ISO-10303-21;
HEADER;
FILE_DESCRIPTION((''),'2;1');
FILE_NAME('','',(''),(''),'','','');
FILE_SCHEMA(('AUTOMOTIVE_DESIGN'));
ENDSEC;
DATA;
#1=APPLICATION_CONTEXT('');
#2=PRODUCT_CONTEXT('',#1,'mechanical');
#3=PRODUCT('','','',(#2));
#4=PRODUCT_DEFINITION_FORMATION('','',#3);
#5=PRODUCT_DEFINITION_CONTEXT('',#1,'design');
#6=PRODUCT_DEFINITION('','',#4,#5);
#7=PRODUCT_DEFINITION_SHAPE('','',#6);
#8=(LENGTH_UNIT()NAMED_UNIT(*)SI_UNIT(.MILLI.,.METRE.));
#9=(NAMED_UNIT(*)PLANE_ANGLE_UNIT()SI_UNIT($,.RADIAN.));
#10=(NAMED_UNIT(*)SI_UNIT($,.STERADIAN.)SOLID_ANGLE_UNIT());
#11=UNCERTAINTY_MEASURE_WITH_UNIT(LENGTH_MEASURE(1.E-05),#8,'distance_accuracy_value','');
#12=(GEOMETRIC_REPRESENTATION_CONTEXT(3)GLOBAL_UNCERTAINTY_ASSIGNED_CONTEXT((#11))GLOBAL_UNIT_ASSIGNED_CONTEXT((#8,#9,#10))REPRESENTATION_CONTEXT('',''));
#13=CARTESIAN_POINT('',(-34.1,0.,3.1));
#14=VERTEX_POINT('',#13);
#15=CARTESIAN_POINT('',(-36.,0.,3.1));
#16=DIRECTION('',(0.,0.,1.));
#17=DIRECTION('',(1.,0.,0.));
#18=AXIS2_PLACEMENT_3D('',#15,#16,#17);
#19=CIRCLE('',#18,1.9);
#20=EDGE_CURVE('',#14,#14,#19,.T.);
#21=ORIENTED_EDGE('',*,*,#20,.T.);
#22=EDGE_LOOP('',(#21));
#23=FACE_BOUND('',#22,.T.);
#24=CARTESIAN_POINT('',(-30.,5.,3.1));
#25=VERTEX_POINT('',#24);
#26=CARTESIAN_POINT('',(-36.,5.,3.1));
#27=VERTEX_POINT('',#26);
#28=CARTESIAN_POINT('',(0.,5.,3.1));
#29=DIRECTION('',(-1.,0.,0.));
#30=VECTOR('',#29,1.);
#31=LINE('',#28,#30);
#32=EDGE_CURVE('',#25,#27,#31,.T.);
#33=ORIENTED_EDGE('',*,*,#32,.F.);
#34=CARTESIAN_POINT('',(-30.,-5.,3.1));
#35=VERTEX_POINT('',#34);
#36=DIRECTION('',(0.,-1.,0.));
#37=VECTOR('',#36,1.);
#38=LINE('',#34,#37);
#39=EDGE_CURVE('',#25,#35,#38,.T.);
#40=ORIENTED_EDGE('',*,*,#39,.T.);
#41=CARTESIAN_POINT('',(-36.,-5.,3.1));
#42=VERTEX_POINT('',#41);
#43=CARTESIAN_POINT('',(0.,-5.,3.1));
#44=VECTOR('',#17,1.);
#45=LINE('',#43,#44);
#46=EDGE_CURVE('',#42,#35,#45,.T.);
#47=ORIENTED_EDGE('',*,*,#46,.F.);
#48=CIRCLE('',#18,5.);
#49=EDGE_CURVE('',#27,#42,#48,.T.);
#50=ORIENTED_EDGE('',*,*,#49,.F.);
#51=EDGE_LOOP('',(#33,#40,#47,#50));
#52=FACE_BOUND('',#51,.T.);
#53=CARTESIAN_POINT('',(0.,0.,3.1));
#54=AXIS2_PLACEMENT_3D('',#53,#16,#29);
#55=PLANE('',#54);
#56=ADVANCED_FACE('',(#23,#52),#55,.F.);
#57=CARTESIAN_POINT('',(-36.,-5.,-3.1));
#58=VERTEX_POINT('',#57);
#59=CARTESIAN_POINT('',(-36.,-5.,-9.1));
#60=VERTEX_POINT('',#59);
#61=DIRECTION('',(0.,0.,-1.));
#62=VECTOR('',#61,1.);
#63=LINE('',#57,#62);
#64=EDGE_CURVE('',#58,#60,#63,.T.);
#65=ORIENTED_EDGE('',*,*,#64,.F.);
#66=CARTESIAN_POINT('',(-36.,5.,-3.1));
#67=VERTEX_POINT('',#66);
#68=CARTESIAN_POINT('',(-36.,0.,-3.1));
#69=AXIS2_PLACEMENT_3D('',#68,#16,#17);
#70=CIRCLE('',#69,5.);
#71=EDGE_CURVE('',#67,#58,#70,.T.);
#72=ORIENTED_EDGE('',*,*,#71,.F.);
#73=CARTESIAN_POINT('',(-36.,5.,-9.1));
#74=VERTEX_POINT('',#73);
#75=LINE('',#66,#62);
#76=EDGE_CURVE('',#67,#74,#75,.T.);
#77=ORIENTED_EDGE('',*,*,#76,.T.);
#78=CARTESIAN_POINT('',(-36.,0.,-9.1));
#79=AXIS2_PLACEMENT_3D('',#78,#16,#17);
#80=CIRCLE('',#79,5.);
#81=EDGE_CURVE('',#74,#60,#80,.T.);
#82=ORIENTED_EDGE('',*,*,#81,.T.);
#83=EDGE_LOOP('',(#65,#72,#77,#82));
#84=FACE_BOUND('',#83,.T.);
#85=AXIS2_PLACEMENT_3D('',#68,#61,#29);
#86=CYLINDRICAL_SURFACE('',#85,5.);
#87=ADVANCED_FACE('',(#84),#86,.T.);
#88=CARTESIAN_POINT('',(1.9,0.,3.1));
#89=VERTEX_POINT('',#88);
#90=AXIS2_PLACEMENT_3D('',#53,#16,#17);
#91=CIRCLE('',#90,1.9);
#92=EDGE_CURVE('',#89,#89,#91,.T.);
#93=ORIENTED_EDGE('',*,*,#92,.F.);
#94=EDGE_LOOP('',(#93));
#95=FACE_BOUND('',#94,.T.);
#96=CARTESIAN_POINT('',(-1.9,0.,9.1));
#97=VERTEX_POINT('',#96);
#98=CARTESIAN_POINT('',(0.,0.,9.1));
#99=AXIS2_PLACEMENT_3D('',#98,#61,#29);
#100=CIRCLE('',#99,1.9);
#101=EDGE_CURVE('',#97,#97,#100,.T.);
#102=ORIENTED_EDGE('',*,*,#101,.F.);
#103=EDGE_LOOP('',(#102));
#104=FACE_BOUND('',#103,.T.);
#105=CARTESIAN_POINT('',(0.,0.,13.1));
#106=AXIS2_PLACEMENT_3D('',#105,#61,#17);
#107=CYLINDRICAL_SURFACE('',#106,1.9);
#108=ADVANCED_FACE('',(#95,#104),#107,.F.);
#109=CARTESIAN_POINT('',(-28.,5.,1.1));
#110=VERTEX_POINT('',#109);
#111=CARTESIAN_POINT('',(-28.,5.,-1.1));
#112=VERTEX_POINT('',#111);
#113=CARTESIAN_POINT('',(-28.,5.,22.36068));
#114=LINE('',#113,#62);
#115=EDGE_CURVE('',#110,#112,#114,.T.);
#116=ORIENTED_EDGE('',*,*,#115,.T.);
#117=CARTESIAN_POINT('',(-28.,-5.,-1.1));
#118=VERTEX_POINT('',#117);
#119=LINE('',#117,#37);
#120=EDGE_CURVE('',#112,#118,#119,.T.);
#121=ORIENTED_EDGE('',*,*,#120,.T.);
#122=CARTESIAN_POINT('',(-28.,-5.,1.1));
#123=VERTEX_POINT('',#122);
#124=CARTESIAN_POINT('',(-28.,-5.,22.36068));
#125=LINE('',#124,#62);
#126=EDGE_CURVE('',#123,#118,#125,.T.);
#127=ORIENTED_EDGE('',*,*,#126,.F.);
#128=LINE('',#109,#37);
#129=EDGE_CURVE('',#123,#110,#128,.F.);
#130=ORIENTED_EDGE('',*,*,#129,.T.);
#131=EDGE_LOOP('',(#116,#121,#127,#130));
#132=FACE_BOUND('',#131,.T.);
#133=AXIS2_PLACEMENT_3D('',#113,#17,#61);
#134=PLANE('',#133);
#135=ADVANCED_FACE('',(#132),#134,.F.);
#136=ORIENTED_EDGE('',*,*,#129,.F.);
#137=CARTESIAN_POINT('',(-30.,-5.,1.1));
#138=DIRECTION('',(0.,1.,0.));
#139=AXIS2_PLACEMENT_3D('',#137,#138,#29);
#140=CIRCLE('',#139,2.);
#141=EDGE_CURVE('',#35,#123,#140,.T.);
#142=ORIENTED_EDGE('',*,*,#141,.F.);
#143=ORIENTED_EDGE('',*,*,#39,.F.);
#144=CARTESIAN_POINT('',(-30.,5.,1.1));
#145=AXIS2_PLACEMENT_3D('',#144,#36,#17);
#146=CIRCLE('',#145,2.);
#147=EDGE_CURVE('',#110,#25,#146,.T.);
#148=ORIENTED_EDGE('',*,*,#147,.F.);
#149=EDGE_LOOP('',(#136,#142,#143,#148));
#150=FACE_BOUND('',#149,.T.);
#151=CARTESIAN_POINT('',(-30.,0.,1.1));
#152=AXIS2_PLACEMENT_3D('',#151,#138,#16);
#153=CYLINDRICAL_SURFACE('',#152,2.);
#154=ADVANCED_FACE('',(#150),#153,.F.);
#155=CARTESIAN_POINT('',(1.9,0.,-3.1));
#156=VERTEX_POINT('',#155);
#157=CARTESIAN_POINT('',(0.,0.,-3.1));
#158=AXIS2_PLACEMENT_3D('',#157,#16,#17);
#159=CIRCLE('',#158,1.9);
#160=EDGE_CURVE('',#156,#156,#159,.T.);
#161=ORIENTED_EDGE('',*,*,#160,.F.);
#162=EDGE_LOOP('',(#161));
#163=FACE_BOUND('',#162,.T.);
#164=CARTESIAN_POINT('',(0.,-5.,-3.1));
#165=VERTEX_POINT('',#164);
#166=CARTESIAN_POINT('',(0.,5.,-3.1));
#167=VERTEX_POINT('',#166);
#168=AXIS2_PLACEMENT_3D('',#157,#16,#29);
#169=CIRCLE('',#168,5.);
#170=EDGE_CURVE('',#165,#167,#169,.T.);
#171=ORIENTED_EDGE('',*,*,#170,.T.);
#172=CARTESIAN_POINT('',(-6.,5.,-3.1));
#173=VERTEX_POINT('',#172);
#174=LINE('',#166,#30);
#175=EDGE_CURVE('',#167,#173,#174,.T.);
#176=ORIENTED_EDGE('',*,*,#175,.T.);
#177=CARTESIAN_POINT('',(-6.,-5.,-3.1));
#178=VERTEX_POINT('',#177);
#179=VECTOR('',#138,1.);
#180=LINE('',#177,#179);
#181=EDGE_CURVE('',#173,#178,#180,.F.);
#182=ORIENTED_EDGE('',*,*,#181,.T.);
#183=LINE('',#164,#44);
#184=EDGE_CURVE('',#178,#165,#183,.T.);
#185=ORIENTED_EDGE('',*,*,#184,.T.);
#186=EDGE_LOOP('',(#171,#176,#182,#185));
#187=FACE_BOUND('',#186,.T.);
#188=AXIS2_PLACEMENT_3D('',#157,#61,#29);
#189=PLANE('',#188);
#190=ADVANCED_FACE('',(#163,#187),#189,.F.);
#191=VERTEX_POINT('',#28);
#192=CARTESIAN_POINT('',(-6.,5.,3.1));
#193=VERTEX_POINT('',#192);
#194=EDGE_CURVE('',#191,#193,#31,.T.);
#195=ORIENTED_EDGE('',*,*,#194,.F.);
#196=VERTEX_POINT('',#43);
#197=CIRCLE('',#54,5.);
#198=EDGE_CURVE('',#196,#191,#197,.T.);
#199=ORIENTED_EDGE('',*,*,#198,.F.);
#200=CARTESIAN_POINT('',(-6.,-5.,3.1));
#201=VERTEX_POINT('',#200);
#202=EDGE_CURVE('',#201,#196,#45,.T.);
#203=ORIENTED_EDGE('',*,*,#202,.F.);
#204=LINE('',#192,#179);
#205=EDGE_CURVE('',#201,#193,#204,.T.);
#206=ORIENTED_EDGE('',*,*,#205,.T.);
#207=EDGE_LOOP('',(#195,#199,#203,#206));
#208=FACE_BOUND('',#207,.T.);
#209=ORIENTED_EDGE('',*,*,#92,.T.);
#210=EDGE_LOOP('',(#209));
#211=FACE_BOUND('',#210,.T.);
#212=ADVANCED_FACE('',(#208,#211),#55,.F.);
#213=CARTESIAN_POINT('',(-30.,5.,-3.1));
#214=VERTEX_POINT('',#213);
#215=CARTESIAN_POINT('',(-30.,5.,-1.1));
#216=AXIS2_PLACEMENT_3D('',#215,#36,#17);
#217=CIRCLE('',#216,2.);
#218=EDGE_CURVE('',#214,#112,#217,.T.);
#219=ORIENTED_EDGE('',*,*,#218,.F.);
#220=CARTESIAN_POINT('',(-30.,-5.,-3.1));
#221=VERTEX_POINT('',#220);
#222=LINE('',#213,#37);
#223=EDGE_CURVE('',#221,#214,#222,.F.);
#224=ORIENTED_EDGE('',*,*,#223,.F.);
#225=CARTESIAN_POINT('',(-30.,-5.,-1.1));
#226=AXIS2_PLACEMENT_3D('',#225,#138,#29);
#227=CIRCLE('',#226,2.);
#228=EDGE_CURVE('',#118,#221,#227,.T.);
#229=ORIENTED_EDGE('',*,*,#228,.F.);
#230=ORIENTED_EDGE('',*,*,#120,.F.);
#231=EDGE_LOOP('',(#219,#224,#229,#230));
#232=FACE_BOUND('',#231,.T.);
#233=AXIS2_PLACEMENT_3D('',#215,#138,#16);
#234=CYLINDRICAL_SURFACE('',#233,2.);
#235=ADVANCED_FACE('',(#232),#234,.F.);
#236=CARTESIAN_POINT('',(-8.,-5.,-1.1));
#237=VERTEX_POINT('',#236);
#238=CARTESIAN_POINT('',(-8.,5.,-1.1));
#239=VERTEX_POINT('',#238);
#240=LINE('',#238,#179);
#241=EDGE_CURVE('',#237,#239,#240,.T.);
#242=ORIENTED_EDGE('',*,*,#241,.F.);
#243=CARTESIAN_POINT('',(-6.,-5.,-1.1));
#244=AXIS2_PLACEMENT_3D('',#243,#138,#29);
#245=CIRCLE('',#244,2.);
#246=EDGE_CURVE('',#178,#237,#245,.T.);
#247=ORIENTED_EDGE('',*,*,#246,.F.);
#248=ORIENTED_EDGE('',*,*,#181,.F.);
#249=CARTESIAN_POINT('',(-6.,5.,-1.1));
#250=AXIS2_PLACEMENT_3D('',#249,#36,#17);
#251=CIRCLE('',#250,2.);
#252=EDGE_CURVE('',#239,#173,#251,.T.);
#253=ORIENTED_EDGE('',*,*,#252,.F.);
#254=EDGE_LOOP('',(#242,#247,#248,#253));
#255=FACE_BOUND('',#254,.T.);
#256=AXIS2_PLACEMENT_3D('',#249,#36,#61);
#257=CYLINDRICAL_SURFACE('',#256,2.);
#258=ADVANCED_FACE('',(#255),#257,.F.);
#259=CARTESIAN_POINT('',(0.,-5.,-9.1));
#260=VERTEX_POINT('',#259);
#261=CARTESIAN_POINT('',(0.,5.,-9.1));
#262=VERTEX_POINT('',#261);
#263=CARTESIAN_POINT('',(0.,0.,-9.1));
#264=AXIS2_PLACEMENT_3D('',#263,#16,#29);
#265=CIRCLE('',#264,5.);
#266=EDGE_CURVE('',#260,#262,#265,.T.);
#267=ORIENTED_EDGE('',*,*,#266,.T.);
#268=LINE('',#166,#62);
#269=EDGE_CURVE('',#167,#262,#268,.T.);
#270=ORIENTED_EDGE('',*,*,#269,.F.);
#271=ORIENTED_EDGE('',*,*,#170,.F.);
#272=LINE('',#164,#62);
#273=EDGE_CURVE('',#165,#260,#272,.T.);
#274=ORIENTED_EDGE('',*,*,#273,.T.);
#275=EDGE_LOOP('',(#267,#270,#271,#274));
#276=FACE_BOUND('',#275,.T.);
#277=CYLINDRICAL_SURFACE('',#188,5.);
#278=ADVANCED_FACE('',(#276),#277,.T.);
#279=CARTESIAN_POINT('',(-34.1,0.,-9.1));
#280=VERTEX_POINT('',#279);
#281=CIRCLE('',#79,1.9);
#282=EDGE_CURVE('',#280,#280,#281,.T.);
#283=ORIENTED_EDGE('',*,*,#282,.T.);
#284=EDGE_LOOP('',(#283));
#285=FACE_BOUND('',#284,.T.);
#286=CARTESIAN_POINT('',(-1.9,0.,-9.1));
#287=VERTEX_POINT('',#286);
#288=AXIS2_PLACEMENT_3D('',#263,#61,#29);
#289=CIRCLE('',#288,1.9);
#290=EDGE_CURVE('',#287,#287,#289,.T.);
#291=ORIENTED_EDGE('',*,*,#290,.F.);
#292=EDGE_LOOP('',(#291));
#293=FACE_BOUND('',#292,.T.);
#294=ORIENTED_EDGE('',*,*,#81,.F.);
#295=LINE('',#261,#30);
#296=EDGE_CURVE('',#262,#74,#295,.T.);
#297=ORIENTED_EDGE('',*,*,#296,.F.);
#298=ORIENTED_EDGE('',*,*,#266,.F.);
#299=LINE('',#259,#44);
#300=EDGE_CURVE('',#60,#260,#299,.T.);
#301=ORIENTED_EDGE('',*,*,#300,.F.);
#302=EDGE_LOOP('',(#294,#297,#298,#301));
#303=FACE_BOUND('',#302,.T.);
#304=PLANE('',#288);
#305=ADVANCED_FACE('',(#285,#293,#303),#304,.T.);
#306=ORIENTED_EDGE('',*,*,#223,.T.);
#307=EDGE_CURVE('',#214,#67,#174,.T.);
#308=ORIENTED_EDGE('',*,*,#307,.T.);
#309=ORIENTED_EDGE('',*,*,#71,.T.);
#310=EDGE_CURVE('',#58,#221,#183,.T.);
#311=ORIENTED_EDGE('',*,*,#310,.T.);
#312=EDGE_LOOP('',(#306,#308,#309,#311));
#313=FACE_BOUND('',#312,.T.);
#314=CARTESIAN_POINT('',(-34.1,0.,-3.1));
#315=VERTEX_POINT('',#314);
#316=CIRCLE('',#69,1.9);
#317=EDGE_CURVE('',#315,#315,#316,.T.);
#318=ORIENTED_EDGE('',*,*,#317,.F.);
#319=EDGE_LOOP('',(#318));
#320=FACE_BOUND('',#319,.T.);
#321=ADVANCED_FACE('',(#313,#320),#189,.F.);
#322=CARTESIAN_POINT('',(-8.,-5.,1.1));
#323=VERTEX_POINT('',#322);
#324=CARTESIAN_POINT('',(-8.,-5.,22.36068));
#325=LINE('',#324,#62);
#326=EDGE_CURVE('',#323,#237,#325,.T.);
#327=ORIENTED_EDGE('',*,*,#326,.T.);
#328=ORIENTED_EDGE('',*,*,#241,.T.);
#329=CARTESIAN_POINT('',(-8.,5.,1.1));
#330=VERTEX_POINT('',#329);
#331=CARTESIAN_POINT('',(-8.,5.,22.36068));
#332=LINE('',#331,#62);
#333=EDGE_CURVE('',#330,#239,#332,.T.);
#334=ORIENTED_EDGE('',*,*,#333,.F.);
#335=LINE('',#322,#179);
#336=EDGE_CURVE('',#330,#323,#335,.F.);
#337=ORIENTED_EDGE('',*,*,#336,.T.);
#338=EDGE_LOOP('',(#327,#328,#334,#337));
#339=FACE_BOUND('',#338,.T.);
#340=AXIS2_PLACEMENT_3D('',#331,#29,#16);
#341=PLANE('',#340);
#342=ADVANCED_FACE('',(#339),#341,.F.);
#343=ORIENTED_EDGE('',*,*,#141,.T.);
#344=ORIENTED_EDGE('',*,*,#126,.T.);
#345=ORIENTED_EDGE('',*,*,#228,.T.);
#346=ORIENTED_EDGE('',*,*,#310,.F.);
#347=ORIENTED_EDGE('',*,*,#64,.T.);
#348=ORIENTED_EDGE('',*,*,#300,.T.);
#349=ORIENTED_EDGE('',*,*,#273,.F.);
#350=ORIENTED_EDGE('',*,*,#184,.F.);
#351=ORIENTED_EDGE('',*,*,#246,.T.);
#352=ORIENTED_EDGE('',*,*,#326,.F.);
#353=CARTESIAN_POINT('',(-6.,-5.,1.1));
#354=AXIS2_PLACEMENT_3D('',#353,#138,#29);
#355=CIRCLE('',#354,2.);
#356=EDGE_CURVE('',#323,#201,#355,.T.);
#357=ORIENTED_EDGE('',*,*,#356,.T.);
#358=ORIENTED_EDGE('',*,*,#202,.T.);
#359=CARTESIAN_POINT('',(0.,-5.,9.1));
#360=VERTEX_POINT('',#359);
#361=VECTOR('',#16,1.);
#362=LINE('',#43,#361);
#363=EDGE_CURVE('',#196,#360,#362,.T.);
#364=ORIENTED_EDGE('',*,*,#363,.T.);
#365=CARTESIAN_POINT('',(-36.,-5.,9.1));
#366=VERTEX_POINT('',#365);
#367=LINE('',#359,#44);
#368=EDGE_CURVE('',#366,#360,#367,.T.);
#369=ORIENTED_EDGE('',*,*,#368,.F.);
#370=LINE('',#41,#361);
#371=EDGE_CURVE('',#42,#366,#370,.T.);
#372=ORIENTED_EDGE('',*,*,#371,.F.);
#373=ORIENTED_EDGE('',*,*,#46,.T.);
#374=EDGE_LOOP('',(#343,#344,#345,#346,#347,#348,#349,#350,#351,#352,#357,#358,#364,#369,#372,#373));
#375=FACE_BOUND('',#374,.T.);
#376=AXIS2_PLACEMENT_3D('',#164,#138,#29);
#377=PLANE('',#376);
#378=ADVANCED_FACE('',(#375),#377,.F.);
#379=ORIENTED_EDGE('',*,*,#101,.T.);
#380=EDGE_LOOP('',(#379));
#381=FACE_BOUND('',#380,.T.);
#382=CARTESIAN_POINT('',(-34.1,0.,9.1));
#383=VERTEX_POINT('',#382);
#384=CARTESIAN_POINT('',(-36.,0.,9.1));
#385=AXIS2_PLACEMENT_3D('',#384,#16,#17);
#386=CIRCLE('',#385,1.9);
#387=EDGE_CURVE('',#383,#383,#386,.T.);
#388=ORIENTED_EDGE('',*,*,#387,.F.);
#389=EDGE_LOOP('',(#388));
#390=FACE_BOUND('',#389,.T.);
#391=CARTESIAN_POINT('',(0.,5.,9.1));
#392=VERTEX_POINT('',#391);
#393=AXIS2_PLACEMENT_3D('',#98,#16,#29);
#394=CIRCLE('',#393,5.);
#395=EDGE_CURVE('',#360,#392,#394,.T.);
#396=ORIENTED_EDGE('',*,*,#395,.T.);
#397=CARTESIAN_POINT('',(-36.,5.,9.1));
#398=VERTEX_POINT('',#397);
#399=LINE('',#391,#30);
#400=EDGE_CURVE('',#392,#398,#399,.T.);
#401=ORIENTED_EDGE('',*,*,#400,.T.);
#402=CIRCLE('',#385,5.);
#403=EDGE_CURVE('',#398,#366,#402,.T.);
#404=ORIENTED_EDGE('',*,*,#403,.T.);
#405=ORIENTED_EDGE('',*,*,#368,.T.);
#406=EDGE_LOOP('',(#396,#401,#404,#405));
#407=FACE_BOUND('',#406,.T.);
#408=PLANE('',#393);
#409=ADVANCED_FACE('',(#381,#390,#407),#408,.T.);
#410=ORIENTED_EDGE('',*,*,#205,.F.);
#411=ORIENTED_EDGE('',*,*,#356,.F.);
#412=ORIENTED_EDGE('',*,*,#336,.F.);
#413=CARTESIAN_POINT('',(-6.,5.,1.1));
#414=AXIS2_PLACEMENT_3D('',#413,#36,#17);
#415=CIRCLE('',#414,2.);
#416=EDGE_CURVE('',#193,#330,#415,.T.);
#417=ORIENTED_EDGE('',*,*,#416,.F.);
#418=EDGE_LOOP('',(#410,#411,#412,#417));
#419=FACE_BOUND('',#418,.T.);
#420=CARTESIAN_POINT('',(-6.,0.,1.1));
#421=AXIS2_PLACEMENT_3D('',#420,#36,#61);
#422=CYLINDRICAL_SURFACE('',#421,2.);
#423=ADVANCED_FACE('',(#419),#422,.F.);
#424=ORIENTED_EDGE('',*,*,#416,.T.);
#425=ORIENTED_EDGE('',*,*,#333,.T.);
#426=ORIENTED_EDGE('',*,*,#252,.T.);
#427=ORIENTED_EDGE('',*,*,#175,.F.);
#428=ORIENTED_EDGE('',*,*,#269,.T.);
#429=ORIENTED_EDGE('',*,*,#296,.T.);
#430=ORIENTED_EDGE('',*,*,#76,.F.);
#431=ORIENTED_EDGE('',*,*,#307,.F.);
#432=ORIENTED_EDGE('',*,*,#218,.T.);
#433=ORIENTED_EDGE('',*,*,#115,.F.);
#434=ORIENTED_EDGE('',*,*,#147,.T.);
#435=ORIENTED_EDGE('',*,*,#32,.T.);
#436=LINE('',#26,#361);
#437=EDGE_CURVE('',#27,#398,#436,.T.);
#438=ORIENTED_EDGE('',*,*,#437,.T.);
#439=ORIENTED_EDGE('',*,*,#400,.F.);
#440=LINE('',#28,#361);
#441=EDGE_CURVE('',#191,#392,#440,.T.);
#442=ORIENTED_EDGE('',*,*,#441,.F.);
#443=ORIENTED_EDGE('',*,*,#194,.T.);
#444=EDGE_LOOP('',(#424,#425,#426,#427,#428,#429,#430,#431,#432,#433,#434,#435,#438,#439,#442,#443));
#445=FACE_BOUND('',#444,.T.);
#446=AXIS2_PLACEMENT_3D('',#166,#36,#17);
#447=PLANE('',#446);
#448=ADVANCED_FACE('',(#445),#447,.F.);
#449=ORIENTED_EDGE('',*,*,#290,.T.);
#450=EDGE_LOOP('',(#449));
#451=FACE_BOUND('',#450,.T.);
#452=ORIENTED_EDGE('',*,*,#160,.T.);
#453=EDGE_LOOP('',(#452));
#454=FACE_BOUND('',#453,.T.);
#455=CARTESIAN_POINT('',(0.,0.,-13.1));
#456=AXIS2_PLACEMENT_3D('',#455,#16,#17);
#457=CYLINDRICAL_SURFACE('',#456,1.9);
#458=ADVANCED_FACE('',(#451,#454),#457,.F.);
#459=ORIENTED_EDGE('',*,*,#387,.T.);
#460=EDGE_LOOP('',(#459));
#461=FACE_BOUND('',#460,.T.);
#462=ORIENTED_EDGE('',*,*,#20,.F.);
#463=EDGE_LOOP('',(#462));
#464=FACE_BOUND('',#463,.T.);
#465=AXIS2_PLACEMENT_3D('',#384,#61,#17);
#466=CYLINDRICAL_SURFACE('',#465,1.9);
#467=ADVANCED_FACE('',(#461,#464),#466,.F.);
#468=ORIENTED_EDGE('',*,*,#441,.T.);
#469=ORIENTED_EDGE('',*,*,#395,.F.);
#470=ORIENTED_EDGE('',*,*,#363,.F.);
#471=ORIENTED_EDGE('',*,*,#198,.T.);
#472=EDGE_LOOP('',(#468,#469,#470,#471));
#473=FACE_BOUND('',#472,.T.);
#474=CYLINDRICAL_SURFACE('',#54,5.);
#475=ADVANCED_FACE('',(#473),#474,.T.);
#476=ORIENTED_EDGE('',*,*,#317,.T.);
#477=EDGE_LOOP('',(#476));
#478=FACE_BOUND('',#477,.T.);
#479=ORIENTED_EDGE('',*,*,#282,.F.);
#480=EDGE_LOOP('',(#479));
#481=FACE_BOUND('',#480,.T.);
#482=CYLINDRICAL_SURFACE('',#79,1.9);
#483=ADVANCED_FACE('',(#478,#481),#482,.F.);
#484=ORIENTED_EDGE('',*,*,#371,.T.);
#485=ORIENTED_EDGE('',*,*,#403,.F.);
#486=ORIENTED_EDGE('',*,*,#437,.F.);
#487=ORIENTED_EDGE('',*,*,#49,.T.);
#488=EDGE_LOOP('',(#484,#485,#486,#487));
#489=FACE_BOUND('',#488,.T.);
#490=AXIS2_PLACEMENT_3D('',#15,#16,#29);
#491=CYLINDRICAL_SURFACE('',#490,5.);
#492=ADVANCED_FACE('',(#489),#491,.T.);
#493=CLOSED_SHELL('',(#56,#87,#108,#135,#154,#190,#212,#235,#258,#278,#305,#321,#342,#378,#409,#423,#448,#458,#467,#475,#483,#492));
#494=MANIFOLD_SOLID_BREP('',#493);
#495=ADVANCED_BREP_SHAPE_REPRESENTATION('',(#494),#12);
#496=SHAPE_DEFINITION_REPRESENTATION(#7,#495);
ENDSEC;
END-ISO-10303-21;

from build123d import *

# Parameters (mm, degrees)
EXTRUDE_START       = -9.1
EXTRUDE_1_DEPTH     = 6
SKETCH_5_R          = 1.9
CUT_EXTRUDE_5_DEPTH = 42.737273509
SKETCH_6_R          = 1.9
CUT_EXTRUDE_6_DEPTH = 10
SKETCH_7_W          = 20
SKETCH_7_H          = 10
EXTRUDE_2_DEPTH     = 3.1
FILLET_1_R          = 2


with BuildPart() as part:
    # ｽｹｯﾁ1 → ﾎﾞｽ - 押し出し1 (new body)
    with BuildSketch(Plane.XY.offset(EXTRUDE_START)):
        with BuildLine():
            Line((0, 5), (-36, 5))
            ThreePointArc((-36, 5), (-41, 0), (-36, -5))
            Line((-36, -5), (0, -5))
            ThreePointArc((0, -5), (5, 0), (0, 5))
        make_face()
    extrude_1 = extrude(amount=EXTRUDE_1_DEPTH)

    # ｽｹｯﾁ5 → ｶｯﾄ - 押し出し5 (cut, through all)
    with BuildSketch(Plane.XY.offset(-3.1)):
        with Locations((-36, 0)):
            Circle(SKETCH_5_R)
    cut_extrude_5 = extrude(amount=-CUT_EXTRUDE_5_DEPTH, mode=Mode.SUBTRACT)

    # ｽｹｯﾁ6 → ｶｯﾄ - 押し出し6 (cut)
    with BuildSketch(Plane.XY.offset(-3.1)):
        Circle(SKETCH_6_R)
    cut_extrude_6 = extrude(amount=-CUT_EXTRUDE_6_DEPTH, mode=Mode.SUBTRACT)

    # ｽｹｯﾁ7 → ﾎﾞｽ - 押し出し2 (add)
    with BuildSketch(Plane.XY.offset(-3.1)):
        with Locations((-18, 0)):
            Rectangle(SKETCH_7_W, SKETCH_7_H)
    extrude_2 = extrude(amount=EXTRUDE_2_DEPTH)

    # ﾐﾗｰ3: ﾎﾞｽ - 押し出し1, ｶｯﾄ - 押し出し5, ｶｯﾄ - 押し出し6, ﾎﾞｽ - 押し出し2 across plane
    add(extrude_1.mirror(Plane.XY))
    add(cut_extrude_5.mirror(Plane.XY), mode=Mode.SUBTRACT)
    add(cut_extrude_6.mirror(Plane.XY), mode=Mode.SUBTRACT)
    add(extrude_2.mirror(Plane.XY))

    # ﾌｨﾚｯﾄ1
    fillet_1_edges = [part.edges().sort_by_distance(p)[0] for p in [
        (-8, 0, -3.1),
        (-28, 0, -3.1),
        (-8, 0, 3.1),
        (-28, 0, 3.1),
    ]]
    fillet(fillet_1_edges, radius=FILLET_1_R)


solid = part.part
